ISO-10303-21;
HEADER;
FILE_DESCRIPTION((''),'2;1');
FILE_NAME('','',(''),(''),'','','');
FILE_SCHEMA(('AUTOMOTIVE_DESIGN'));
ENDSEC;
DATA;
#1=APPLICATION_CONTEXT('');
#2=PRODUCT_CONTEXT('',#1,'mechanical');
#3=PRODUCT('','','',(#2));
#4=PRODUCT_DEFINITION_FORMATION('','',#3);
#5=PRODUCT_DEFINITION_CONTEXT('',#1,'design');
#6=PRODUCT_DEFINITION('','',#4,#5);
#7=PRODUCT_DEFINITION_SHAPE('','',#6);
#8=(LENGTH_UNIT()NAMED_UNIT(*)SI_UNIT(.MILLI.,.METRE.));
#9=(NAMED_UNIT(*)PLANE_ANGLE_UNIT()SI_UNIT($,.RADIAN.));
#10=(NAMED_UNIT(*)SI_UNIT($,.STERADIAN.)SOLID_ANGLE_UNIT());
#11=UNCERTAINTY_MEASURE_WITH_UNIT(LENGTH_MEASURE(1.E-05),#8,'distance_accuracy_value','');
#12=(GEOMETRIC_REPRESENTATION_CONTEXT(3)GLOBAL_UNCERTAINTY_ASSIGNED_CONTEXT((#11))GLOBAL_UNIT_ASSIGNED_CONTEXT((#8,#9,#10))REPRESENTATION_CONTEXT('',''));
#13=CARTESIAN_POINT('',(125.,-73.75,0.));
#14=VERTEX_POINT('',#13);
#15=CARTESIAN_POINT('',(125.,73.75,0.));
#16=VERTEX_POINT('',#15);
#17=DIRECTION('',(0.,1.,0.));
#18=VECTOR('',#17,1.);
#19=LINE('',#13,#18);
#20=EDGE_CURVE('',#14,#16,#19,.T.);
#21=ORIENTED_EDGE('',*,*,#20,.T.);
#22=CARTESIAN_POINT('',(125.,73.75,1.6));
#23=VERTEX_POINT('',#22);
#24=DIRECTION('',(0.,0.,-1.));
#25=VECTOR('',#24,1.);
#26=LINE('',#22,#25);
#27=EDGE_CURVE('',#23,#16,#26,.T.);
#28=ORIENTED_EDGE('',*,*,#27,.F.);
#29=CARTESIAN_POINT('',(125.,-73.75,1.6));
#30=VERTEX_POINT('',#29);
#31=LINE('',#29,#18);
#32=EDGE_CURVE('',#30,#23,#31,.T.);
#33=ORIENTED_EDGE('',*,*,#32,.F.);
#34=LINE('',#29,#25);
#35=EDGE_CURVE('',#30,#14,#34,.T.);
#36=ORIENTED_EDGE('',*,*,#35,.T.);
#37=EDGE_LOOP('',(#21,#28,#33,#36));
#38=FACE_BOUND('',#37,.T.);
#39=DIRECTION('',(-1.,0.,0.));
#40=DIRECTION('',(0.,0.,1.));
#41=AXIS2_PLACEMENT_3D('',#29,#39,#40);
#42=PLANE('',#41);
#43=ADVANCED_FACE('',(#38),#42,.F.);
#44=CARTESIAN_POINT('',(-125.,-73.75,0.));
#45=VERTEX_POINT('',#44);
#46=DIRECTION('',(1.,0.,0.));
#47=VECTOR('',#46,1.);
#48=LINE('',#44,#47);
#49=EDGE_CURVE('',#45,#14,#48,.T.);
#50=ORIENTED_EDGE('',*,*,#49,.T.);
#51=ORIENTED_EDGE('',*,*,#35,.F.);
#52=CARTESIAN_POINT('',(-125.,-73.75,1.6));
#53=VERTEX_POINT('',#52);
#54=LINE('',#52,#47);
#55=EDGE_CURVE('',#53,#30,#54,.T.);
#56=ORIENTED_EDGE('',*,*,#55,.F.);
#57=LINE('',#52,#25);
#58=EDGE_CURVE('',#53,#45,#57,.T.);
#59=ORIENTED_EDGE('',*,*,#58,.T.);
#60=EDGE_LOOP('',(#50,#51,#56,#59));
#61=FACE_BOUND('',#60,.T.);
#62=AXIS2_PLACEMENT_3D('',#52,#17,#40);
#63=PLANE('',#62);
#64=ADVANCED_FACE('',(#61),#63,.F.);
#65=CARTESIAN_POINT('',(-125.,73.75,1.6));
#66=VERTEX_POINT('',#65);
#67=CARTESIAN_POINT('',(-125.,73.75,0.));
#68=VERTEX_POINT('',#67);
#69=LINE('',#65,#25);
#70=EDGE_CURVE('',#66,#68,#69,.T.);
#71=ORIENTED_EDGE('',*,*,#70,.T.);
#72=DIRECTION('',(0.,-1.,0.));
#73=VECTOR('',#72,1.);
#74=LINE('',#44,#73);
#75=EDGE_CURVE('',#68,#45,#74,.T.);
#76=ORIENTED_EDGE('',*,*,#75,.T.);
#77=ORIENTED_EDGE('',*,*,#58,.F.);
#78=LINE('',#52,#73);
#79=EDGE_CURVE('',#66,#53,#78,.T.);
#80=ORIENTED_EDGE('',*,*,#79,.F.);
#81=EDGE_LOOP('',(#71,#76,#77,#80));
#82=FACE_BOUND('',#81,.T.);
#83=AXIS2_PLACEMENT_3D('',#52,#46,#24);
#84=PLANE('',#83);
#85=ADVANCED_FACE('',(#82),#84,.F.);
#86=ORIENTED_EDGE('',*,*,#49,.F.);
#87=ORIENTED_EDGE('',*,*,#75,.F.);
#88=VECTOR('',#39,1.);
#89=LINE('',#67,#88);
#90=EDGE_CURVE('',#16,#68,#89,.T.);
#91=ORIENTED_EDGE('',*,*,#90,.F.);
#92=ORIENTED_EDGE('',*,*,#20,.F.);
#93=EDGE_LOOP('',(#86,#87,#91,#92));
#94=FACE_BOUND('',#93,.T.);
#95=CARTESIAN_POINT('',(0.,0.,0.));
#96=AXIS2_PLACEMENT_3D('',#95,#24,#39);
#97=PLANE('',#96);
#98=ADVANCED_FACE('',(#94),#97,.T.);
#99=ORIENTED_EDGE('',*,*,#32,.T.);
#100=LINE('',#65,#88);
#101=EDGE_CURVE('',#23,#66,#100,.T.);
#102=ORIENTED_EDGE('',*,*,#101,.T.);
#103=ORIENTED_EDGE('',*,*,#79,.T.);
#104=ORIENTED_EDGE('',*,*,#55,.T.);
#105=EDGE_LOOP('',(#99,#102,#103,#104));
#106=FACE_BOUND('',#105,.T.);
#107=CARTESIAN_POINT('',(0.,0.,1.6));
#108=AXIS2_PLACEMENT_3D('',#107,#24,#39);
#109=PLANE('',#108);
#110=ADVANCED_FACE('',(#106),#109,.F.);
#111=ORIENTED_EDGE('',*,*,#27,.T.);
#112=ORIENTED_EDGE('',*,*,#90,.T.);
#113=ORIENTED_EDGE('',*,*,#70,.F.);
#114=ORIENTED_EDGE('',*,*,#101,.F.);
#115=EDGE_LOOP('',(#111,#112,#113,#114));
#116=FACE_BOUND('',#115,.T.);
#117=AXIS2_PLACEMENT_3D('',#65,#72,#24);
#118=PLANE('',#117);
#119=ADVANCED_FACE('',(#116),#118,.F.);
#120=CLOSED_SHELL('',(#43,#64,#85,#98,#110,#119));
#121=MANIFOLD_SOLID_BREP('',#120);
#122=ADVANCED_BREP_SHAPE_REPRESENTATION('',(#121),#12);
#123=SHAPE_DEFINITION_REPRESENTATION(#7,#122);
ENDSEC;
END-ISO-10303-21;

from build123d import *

# Parameters (mm, degrees)
ESQUISSE1_W        = 250
ESQUISSE1_H        = 147.5
BOSS_EXTRU_1_DEPTH = 1.6


with BuildPart() as part:
    # Esquisse1 → Boss.-Extru.1 (new body)
    with BuildSketch(Plane.XY):
        Rectangle(ESQUISSE1_W, ESQUISSE1_H)
    extrude(amount=BOSS_EXTRU_1_DEPTH)


solid = part.part
